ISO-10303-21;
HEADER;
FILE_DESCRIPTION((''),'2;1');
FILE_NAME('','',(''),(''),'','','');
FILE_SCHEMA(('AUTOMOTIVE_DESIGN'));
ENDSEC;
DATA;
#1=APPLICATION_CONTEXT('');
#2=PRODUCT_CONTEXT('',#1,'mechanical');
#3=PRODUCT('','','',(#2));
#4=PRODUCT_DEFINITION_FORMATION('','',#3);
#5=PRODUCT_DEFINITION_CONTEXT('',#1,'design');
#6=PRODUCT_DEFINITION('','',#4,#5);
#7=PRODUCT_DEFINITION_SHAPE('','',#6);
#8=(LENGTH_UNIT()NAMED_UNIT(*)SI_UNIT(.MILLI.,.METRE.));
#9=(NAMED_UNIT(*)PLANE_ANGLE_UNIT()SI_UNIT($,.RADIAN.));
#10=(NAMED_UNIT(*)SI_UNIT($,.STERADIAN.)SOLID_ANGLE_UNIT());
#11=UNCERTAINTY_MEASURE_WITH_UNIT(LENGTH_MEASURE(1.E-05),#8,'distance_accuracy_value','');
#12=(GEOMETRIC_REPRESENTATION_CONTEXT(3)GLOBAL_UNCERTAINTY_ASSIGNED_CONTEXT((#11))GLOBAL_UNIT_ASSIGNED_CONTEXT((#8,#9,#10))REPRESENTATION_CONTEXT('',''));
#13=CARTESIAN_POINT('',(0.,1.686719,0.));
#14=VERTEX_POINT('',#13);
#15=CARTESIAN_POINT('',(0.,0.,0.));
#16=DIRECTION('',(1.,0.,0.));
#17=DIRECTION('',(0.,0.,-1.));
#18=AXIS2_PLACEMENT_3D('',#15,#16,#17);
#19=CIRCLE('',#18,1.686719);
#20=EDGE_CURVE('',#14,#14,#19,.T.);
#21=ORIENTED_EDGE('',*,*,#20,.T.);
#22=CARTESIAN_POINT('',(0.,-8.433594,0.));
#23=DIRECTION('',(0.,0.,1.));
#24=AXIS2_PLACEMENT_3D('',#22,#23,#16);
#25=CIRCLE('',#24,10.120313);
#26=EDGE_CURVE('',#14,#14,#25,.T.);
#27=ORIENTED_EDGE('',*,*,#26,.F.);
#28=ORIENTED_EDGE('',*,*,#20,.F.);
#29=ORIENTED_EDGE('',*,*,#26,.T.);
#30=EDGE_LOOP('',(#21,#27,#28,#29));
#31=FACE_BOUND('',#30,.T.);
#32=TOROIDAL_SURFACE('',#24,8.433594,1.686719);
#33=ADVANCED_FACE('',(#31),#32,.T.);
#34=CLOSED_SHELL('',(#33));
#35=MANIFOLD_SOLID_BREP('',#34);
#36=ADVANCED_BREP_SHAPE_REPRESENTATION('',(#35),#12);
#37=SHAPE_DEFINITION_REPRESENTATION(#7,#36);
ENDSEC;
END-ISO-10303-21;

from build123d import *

# Parameters (mm, degrees)
SKETCH1_R = 1.68671875


with BuildPart() as part:
    # Sweep1: sweep along a path in Sketch2
    with BuildLine(Plane.XY) as sweep1_path:
        CenterArc((0, -8.43359375), 8.43359375, 0, 360)
    # Sketch1 → Sweep1 (sweep)
    with BuildSketch(Plane(origin=(0, 0, 0), x_dir=(0, 0, -1), z_dir=(1, 0, 0))):
        Circle(SKETCH1_R)
    sweep(path=sweep1_path.line)


solid = part.part
